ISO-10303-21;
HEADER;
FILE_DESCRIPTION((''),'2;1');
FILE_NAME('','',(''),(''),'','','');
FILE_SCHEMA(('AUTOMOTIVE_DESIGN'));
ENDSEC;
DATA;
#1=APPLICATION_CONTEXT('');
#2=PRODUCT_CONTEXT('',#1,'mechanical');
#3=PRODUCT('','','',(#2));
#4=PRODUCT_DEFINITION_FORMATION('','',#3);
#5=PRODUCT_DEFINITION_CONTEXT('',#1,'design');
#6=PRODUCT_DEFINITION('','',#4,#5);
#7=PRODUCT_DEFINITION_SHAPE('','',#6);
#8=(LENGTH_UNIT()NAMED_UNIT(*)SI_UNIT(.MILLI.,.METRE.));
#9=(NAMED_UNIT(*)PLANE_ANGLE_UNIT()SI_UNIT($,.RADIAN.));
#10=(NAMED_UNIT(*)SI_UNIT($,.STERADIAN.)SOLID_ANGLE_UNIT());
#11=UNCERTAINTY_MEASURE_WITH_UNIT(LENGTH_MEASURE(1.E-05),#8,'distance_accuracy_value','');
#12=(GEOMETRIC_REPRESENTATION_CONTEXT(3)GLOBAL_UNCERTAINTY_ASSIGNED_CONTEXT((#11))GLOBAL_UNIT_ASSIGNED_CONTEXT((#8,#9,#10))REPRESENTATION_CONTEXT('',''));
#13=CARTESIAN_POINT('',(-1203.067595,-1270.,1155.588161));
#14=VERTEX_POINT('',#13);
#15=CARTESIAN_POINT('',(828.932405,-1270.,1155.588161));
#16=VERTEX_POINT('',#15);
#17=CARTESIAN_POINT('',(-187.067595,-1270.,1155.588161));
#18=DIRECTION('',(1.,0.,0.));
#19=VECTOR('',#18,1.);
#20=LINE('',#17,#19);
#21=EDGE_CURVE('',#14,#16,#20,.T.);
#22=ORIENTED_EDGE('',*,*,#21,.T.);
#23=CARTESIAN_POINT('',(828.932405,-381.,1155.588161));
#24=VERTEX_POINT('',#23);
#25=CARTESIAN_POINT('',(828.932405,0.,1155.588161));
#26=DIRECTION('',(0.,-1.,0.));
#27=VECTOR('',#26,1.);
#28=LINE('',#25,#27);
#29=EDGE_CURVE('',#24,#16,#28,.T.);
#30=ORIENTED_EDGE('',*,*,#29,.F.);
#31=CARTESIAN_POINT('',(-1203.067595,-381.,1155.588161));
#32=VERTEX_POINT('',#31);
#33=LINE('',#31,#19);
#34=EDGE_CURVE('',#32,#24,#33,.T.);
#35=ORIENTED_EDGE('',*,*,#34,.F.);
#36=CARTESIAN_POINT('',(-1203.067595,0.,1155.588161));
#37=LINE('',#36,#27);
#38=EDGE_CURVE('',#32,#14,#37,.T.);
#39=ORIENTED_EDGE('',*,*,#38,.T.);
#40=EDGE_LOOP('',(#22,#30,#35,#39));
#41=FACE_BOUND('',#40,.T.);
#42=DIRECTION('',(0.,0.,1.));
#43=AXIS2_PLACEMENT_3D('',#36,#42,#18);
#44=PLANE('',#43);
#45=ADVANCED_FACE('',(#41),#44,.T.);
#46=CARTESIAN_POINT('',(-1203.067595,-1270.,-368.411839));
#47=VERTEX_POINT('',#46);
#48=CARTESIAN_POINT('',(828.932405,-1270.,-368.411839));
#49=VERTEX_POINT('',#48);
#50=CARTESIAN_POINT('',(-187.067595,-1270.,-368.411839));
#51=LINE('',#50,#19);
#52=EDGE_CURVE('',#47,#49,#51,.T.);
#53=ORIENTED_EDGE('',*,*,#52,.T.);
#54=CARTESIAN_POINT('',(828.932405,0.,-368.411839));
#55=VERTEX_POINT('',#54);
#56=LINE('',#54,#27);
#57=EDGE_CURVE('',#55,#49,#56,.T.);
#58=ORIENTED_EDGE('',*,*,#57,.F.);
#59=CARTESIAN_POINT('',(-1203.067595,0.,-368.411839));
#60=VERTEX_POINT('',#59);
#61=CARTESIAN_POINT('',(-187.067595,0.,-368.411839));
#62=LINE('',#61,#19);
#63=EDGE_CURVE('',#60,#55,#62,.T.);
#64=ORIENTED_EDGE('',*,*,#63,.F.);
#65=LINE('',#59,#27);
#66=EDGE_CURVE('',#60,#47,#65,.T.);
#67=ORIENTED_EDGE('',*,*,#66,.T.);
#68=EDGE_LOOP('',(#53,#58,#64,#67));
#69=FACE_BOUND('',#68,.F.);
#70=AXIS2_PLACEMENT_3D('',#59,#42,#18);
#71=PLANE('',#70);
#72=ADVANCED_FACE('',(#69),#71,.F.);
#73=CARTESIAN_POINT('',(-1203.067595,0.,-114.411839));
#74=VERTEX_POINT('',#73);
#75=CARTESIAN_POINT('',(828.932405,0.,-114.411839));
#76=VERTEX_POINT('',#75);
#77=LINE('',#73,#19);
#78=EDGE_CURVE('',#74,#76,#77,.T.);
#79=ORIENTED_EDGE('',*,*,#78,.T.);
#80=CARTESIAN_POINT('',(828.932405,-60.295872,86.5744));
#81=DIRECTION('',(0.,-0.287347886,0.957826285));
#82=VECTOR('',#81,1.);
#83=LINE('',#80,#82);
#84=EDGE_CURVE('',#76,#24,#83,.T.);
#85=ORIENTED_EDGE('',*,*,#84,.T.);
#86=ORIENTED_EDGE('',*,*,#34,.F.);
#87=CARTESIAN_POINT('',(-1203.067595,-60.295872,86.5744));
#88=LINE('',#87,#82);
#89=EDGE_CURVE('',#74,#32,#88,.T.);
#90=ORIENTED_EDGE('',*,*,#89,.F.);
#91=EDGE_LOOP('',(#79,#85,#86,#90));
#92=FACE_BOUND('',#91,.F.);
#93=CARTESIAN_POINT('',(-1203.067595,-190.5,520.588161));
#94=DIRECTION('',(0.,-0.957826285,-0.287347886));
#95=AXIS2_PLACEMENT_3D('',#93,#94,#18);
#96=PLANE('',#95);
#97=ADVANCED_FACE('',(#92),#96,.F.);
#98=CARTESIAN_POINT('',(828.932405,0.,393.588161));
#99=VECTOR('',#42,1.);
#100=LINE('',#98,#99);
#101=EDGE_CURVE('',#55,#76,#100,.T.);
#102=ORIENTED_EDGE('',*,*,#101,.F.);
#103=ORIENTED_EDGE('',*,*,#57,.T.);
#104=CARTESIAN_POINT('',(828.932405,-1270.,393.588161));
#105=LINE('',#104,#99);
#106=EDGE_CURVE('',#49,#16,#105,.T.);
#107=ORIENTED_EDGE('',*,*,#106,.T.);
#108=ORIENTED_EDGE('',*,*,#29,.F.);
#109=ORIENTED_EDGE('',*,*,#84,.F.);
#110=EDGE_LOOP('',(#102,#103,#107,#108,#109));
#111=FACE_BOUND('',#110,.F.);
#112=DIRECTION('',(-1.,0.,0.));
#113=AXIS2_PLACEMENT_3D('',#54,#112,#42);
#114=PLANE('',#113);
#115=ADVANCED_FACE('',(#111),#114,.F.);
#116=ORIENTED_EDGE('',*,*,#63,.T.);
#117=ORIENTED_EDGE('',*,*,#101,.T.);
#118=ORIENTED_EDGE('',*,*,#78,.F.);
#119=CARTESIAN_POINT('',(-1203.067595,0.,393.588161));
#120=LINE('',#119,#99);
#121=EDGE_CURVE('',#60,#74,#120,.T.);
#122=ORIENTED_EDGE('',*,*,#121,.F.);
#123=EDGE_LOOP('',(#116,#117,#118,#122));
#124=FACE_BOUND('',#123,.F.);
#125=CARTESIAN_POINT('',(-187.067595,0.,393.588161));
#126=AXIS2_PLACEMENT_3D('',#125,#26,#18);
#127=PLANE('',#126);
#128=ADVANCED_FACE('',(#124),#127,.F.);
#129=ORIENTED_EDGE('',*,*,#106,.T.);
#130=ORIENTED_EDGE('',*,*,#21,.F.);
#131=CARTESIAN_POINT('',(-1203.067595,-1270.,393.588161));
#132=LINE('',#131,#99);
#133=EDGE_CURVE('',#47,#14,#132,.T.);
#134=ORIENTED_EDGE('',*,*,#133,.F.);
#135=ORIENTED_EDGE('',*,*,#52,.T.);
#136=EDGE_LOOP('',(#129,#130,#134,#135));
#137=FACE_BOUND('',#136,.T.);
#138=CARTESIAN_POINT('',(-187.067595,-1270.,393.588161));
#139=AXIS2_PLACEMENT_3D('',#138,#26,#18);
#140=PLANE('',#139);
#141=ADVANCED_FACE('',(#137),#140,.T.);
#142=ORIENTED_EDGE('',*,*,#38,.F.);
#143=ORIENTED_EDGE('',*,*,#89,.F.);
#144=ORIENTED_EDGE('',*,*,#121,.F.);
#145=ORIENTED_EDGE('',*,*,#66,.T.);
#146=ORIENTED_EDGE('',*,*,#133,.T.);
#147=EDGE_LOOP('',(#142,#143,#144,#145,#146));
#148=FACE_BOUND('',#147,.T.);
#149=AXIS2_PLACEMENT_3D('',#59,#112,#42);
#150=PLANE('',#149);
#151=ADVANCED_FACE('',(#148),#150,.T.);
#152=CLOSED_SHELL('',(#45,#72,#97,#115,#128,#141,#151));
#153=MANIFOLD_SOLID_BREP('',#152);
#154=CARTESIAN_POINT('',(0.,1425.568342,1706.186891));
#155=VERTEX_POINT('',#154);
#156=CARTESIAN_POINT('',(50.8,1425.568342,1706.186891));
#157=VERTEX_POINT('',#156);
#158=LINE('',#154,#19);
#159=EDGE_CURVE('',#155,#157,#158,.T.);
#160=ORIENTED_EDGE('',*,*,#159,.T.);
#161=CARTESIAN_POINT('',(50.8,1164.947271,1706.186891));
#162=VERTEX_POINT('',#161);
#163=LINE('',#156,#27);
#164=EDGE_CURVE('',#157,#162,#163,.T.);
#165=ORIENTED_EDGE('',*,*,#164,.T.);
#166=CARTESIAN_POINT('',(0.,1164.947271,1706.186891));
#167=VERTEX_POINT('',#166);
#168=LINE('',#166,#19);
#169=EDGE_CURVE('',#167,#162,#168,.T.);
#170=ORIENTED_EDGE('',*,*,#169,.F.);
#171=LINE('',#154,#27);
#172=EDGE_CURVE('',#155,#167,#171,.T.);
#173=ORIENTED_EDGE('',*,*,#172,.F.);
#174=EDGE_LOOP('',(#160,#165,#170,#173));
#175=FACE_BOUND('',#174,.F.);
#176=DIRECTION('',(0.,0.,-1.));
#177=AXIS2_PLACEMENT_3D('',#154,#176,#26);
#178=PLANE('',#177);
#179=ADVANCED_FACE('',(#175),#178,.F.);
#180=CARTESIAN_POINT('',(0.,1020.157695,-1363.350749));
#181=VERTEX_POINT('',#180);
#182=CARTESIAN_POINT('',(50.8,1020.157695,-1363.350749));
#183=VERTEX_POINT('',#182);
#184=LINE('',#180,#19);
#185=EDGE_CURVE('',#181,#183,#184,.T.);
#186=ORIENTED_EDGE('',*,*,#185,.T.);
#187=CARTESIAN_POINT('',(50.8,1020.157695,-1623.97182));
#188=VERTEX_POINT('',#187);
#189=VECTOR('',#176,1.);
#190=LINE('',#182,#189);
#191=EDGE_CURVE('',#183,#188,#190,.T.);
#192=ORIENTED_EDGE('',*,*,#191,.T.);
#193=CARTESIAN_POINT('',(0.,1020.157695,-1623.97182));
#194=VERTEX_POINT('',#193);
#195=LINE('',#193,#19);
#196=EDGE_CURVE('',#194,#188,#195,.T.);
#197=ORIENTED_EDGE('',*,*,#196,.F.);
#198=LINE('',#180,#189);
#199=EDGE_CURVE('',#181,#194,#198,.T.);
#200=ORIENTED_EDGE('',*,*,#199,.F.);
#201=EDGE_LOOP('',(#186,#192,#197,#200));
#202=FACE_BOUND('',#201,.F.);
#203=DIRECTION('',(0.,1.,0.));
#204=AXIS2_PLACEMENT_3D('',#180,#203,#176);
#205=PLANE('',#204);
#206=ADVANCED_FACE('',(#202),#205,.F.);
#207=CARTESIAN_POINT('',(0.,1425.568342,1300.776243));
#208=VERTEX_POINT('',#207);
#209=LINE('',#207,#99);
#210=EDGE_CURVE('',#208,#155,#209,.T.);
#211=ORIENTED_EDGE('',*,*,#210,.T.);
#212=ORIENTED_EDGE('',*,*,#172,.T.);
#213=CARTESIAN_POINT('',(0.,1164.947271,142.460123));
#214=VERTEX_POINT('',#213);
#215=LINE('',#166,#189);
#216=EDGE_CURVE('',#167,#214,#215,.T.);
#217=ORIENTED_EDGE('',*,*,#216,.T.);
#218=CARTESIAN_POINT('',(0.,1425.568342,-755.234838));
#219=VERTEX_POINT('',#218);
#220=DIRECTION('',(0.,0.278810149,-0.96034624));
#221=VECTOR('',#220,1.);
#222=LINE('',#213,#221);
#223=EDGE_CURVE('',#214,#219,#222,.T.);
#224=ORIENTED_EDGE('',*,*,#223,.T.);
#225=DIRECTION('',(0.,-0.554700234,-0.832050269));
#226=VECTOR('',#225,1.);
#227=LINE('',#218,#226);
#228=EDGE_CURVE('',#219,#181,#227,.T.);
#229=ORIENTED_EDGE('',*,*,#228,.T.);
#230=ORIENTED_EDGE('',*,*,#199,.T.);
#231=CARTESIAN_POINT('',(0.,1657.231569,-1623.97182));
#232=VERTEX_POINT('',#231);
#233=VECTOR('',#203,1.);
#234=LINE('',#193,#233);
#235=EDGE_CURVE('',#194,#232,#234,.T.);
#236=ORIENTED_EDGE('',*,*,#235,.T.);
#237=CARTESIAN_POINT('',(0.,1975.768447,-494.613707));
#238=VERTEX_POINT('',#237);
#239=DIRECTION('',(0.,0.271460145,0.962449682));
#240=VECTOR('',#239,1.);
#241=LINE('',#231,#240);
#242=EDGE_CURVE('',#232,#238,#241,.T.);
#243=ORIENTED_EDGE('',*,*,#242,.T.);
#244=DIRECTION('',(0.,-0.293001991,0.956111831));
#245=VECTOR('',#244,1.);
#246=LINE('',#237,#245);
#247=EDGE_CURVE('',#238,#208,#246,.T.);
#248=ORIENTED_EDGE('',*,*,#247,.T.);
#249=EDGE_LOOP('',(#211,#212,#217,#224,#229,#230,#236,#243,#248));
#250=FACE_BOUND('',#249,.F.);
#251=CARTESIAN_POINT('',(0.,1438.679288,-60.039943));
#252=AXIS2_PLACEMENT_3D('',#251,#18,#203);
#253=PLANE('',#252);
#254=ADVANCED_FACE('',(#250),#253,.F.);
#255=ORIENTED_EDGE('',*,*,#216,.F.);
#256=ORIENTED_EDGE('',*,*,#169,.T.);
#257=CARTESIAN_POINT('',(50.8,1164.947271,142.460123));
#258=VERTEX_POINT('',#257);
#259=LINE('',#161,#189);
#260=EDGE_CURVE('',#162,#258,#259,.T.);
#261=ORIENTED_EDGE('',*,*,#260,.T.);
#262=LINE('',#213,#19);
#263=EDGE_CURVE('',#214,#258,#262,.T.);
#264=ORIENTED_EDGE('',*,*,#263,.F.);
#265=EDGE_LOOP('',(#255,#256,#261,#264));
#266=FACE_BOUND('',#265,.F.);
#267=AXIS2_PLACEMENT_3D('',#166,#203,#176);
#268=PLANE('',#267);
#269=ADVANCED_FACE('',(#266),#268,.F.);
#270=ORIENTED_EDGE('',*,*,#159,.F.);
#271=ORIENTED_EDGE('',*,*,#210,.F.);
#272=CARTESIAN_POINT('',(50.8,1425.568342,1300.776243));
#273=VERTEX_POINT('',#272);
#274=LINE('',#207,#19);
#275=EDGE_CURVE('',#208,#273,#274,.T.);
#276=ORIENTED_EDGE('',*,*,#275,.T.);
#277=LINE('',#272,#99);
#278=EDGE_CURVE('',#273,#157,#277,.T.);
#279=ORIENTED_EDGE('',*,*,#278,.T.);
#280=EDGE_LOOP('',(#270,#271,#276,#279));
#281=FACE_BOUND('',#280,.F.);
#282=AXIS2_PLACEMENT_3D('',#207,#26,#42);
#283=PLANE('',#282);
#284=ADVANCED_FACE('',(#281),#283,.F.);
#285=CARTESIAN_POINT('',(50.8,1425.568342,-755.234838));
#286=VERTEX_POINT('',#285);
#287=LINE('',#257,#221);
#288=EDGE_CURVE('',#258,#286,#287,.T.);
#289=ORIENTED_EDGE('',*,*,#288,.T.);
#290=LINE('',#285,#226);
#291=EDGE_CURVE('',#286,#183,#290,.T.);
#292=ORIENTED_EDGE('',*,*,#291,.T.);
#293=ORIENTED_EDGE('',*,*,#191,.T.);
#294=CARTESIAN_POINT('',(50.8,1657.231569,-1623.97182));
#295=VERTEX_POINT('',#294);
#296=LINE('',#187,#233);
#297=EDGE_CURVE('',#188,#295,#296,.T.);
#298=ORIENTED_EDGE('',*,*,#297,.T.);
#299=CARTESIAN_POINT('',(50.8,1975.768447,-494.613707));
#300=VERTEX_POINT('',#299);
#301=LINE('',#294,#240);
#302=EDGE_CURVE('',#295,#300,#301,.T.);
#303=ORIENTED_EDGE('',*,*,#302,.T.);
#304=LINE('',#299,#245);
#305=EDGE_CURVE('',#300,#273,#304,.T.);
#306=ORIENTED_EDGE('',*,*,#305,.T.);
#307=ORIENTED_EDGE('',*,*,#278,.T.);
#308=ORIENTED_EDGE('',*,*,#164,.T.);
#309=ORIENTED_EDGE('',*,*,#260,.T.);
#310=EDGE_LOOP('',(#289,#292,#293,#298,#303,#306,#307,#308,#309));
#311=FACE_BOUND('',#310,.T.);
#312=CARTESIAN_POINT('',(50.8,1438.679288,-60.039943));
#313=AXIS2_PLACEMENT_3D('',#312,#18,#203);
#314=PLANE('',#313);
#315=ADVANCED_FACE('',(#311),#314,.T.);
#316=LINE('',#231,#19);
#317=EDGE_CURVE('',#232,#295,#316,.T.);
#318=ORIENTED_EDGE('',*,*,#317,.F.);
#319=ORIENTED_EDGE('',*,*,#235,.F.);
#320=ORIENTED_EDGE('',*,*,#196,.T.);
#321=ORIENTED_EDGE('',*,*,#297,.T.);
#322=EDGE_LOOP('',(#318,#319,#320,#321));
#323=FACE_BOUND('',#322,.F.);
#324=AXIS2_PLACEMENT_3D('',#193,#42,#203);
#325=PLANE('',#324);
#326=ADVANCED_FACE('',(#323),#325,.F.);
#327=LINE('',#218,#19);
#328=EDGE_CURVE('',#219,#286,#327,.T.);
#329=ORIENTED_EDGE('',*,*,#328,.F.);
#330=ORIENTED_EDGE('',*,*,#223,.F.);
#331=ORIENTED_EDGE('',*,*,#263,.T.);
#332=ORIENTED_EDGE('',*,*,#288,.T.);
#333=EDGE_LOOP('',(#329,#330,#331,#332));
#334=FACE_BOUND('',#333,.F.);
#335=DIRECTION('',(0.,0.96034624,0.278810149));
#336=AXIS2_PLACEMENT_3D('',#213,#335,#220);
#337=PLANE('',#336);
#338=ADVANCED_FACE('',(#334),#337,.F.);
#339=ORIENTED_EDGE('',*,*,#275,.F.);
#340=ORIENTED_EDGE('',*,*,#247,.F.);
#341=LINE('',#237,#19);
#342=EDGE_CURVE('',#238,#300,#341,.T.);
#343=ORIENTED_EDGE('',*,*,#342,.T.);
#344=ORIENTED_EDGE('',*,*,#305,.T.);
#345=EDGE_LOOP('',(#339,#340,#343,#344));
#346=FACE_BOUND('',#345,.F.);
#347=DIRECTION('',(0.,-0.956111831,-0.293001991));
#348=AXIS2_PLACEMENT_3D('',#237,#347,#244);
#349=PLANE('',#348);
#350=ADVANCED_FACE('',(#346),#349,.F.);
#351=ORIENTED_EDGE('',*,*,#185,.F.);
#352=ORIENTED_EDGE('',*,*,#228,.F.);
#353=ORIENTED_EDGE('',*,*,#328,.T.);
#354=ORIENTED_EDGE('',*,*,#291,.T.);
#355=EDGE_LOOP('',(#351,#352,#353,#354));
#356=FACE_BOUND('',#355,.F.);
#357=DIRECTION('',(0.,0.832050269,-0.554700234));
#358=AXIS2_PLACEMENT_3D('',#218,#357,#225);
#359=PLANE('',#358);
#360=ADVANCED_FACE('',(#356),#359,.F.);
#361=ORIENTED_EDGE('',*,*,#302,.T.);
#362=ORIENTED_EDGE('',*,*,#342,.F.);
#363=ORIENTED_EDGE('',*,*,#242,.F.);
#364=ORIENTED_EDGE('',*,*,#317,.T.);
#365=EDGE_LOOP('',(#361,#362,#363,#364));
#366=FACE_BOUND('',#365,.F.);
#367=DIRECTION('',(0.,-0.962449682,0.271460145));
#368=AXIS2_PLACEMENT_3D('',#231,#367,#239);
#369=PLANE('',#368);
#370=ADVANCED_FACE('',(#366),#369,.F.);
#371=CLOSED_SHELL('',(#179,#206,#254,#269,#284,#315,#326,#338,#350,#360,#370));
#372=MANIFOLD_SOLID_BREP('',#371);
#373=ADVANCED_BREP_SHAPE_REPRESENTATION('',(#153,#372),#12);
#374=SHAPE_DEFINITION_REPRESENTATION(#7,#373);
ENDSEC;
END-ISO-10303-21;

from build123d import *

# Parameters (mm, degrees)
F0_W     = 2032
F0_H     = 1524
F1_DEPTH = 1270
F2_SIZE2 = 381
F2_SIZE  = 1270
F4_DEPTH = 50.8


with BuildPart() as f1:
    # F0 (on Front) → F1 (new body)
    with BuildSketch(Plane.XZ):
        with Locations((-187.0675954819, 393.5881609917)):
            Rectangle(F0_W, F0_H)
    extrude(amount=F1_DEPTH)

    # F2
    f2_edges = [f1.edges().sort_by_distance(p)[0] for p in [
        (-187.067595, 0, 1155.588161),
    ]]
    f2_side = f1.faces().sort_by_distance((-187.067595, 0, 393.588161))[0]
    chamfer(f2_edges, length=F2_SIZE, length2=F2_SIZE2, reference=f2_side)


with BuildPart() as f4:
    # F3 (on Right) → F4 (new body)
    with BuildSketch(Plane.YZ):
        Polygon((1425.5683422049, 1300.7762432086), (1425.5683422049, 1706.1868906009), (1164.9472713444, 1706.1868906009), (1164.9472713444, 142.4601227037), (1425.5683422049, -755.234837532), (1020.1576948166, -1363.3507490158), (1020.1576948166, -1623.9718198776), (1657.2315692902, -1623.9718198776), (1975.7684469223, -494.6137070656), align=None)
    extrude(amount=F4_DEPTH)


solid = Compound([f1.part, f4.part])
